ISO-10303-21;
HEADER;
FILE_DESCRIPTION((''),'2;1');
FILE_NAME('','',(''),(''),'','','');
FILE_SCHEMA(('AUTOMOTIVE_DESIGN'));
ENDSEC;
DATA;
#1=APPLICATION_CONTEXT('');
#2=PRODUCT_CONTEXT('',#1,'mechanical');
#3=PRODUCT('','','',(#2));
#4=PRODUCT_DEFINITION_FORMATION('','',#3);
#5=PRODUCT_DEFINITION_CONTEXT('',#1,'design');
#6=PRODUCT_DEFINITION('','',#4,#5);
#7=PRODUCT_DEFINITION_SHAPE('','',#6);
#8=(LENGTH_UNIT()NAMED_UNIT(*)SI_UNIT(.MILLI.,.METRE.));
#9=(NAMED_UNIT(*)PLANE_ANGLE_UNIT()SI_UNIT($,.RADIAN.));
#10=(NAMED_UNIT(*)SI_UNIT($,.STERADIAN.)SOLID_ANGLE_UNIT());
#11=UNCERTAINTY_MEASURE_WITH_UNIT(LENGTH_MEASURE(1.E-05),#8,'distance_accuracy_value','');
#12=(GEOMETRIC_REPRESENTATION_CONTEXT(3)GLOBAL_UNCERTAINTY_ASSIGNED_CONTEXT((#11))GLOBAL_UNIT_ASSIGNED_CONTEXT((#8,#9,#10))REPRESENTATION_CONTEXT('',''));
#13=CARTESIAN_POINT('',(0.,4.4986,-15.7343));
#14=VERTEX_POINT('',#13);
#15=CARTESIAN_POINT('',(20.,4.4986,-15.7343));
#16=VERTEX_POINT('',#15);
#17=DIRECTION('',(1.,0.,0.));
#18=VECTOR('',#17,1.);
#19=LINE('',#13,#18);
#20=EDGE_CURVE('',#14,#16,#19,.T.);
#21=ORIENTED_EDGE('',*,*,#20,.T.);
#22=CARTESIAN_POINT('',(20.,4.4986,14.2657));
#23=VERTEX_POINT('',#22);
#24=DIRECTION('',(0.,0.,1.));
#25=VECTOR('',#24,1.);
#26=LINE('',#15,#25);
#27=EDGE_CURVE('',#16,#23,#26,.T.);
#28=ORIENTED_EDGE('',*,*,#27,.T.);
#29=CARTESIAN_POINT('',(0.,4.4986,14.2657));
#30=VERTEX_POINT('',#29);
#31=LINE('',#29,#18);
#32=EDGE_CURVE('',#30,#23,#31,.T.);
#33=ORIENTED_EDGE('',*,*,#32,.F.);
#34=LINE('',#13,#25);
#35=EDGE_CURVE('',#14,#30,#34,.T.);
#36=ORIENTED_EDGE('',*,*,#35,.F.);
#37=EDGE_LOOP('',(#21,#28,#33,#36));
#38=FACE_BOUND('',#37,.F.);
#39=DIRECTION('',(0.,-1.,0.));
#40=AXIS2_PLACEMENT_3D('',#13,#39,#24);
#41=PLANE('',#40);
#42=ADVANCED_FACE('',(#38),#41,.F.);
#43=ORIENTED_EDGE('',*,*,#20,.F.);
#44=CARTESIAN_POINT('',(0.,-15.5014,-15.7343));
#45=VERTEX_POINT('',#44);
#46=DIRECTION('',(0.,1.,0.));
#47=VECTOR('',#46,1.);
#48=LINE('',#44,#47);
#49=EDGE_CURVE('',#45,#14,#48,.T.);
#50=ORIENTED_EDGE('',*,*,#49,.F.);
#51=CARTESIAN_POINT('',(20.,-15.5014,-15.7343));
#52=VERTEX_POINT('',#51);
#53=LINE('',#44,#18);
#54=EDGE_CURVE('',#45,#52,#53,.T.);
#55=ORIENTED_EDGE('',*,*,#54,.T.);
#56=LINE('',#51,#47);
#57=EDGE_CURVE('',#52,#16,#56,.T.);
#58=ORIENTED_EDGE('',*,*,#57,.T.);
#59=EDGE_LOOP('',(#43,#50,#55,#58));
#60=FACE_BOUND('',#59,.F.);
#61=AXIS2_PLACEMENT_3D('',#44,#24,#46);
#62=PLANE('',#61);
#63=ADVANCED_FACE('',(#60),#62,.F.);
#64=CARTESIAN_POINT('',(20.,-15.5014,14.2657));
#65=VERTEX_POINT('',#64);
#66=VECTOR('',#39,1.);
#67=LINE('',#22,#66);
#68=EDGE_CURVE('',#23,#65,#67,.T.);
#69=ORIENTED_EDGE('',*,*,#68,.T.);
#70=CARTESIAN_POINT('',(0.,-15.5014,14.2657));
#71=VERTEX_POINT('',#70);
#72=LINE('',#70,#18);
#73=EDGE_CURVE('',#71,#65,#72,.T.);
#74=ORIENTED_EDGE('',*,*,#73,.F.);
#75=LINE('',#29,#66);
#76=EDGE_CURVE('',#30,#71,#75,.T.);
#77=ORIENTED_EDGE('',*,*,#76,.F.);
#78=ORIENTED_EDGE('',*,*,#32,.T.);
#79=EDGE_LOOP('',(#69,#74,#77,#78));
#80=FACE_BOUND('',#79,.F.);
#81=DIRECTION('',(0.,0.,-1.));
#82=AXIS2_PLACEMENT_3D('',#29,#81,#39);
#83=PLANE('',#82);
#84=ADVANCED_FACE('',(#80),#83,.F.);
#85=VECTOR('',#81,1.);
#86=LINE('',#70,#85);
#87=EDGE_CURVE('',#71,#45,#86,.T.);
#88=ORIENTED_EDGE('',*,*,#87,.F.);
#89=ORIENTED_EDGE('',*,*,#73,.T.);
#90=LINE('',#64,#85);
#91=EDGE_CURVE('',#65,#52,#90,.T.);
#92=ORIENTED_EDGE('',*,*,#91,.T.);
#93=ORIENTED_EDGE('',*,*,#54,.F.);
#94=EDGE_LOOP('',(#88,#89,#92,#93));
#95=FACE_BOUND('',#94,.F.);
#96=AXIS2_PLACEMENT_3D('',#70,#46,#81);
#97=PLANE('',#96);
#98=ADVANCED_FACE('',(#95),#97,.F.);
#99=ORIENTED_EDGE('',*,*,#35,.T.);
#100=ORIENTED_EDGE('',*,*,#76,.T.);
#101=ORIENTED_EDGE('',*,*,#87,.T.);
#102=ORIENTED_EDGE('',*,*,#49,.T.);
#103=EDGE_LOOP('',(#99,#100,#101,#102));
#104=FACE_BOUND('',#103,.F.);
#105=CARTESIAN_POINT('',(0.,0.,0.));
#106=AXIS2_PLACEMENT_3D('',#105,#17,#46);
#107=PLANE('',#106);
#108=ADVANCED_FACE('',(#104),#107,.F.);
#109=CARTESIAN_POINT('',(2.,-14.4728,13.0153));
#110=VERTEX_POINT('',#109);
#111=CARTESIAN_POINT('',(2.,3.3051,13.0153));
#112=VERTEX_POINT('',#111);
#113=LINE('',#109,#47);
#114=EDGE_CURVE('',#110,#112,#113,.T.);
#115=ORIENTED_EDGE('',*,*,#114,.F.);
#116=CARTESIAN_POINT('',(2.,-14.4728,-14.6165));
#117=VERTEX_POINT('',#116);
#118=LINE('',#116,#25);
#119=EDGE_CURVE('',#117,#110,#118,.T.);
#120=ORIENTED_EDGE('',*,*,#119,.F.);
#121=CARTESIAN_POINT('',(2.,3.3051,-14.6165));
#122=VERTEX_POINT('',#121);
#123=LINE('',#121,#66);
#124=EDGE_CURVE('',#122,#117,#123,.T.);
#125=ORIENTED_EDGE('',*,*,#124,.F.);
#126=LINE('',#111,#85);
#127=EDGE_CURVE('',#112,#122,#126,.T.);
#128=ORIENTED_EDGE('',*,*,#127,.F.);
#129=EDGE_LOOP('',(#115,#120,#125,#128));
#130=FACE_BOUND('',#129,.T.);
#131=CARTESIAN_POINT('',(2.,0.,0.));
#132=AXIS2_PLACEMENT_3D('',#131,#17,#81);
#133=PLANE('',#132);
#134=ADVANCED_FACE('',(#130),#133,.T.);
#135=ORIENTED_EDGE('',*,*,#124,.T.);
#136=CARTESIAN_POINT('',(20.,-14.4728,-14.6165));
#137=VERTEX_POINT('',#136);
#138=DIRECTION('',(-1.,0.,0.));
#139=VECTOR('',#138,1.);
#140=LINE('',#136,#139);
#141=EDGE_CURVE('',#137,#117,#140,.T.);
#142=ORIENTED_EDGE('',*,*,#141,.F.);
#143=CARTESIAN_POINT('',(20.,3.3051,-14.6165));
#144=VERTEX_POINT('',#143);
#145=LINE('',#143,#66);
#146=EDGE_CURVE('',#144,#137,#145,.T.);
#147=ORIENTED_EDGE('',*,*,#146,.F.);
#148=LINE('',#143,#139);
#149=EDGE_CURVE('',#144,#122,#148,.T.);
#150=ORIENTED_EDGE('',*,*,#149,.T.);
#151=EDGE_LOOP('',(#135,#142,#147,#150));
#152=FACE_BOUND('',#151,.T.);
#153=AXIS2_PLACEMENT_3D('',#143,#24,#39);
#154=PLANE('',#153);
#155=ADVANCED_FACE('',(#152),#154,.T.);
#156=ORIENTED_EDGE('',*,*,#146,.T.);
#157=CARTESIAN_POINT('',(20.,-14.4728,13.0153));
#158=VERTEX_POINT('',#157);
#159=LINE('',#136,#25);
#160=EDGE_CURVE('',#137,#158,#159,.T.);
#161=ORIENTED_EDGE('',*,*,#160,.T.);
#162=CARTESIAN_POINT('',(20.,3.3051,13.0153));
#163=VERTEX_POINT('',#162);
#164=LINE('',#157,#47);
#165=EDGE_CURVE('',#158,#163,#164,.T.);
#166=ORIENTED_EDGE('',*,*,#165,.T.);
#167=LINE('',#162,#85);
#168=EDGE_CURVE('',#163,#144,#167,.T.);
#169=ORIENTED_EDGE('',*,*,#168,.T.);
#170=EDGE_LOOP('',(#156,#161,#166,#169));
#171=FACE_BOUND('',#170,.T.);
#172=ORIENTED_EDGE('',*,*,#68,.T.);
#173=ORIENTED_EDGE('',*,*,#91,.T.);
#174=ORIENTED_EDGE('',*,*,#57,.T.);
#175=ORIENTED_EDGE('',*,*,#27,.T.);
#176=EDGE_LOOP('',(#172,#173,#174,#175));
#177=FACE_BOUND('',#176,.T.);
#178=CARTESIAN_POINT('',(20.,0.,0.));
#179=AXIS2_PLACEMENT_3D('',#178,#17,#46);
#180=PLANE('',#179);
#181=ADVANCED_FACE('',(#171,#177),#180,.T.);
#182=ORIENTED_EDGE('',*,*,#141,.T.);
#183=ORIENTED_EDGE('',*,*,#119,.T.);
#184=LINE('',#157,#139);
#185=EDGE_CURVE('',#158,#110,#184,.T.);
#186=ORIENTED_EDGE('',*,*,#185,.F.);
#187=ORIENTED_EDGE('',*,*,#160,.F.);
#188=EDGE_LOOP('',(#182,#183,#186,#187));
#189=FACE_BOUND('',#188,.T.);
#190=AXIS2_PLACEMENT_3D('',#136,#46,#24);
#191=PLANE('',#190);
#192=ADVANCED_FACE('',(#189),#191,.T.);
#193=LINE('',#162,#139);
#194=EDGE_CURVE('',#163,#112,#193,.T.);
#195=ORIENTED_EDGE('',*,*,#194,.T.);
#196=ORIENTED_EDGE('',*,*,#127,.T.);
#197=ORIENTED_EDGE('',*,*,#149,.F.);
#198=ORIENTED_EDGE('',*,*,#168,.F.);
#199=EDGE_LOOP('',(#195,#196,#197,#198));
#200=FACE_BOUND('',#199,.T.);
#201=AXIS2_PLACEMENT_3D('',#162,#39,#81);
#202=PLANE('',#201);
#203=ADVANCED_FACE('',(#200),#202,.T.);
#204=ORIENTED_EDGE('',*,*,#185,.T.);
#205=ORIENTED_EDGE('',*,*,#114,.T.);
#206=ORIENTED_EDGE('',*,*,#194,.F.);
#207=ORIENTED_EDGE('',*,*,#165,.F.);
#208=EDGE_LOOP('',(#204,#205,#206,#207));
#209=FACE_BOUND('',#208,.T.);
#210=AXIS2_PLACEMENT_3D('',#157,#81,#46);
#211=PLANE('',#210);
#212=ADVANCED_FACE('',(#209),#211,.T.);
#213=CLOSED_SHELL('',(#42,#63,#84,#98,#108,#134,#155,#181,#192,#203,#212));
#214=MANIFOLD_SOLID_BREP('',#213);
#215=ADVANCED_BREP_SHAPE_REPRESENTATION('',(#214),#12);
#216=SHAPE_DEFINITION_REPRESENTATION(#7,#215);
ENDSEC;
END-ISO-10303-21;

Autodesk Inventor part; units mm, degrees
ref_plane "YZ Plane" through (0, 0, 0) normal (1, 0, 0) x (0, 1, 0)
ref_plane "XZ Plane" through (0, 0, 0) normal (0, 1, 0) x (-1, 0, 0)
ref_plane "XY Plane" through (0, 0, 0) normal (0, 0, 1) x (1, 0, 0)
sketch "Sketch1" plane through (0, 0, 0) normal (1, 0, 0) x (0, 1, 0)
  line L0 (4.4986, 14.2657) -> (-15.5014, 14.2657)
  line L1 (-15.5014, 14.2657) -> (-15.5014, -15.7343)
  line L2 (-15.5014, -15.7343) -> (4.4986, -15.7343)
  line L3 (4.4986, -15.7343) -> (4.4986, 14.2657)
  point P0 (0, 0)
  dimension "d0" = 20
  dimension "d1" = 30
extrude "Extrusion1" add sketch "Sketch1" along normal blind 20
sketch "Sketch2" plane through (20, 0, 0) normal (1, 0, 0) x (0, 0, -1)
  line L0 (-13.0153, 3.3051) -> (14.6165, 3.3051)
  line L1 (14.6165, 3.3051) -> (14.6165, -14.4728)
  line L2 (14.6165, -14.4728) -> (-13.0153, -14.4728)
  line L3 (-13.0153, -14.4728) -> (-13.0153, 3.3051)
  point P0 (0, 0)
extrude "Extrusion2" cut sketch "Sketch2" against normal blind 18
